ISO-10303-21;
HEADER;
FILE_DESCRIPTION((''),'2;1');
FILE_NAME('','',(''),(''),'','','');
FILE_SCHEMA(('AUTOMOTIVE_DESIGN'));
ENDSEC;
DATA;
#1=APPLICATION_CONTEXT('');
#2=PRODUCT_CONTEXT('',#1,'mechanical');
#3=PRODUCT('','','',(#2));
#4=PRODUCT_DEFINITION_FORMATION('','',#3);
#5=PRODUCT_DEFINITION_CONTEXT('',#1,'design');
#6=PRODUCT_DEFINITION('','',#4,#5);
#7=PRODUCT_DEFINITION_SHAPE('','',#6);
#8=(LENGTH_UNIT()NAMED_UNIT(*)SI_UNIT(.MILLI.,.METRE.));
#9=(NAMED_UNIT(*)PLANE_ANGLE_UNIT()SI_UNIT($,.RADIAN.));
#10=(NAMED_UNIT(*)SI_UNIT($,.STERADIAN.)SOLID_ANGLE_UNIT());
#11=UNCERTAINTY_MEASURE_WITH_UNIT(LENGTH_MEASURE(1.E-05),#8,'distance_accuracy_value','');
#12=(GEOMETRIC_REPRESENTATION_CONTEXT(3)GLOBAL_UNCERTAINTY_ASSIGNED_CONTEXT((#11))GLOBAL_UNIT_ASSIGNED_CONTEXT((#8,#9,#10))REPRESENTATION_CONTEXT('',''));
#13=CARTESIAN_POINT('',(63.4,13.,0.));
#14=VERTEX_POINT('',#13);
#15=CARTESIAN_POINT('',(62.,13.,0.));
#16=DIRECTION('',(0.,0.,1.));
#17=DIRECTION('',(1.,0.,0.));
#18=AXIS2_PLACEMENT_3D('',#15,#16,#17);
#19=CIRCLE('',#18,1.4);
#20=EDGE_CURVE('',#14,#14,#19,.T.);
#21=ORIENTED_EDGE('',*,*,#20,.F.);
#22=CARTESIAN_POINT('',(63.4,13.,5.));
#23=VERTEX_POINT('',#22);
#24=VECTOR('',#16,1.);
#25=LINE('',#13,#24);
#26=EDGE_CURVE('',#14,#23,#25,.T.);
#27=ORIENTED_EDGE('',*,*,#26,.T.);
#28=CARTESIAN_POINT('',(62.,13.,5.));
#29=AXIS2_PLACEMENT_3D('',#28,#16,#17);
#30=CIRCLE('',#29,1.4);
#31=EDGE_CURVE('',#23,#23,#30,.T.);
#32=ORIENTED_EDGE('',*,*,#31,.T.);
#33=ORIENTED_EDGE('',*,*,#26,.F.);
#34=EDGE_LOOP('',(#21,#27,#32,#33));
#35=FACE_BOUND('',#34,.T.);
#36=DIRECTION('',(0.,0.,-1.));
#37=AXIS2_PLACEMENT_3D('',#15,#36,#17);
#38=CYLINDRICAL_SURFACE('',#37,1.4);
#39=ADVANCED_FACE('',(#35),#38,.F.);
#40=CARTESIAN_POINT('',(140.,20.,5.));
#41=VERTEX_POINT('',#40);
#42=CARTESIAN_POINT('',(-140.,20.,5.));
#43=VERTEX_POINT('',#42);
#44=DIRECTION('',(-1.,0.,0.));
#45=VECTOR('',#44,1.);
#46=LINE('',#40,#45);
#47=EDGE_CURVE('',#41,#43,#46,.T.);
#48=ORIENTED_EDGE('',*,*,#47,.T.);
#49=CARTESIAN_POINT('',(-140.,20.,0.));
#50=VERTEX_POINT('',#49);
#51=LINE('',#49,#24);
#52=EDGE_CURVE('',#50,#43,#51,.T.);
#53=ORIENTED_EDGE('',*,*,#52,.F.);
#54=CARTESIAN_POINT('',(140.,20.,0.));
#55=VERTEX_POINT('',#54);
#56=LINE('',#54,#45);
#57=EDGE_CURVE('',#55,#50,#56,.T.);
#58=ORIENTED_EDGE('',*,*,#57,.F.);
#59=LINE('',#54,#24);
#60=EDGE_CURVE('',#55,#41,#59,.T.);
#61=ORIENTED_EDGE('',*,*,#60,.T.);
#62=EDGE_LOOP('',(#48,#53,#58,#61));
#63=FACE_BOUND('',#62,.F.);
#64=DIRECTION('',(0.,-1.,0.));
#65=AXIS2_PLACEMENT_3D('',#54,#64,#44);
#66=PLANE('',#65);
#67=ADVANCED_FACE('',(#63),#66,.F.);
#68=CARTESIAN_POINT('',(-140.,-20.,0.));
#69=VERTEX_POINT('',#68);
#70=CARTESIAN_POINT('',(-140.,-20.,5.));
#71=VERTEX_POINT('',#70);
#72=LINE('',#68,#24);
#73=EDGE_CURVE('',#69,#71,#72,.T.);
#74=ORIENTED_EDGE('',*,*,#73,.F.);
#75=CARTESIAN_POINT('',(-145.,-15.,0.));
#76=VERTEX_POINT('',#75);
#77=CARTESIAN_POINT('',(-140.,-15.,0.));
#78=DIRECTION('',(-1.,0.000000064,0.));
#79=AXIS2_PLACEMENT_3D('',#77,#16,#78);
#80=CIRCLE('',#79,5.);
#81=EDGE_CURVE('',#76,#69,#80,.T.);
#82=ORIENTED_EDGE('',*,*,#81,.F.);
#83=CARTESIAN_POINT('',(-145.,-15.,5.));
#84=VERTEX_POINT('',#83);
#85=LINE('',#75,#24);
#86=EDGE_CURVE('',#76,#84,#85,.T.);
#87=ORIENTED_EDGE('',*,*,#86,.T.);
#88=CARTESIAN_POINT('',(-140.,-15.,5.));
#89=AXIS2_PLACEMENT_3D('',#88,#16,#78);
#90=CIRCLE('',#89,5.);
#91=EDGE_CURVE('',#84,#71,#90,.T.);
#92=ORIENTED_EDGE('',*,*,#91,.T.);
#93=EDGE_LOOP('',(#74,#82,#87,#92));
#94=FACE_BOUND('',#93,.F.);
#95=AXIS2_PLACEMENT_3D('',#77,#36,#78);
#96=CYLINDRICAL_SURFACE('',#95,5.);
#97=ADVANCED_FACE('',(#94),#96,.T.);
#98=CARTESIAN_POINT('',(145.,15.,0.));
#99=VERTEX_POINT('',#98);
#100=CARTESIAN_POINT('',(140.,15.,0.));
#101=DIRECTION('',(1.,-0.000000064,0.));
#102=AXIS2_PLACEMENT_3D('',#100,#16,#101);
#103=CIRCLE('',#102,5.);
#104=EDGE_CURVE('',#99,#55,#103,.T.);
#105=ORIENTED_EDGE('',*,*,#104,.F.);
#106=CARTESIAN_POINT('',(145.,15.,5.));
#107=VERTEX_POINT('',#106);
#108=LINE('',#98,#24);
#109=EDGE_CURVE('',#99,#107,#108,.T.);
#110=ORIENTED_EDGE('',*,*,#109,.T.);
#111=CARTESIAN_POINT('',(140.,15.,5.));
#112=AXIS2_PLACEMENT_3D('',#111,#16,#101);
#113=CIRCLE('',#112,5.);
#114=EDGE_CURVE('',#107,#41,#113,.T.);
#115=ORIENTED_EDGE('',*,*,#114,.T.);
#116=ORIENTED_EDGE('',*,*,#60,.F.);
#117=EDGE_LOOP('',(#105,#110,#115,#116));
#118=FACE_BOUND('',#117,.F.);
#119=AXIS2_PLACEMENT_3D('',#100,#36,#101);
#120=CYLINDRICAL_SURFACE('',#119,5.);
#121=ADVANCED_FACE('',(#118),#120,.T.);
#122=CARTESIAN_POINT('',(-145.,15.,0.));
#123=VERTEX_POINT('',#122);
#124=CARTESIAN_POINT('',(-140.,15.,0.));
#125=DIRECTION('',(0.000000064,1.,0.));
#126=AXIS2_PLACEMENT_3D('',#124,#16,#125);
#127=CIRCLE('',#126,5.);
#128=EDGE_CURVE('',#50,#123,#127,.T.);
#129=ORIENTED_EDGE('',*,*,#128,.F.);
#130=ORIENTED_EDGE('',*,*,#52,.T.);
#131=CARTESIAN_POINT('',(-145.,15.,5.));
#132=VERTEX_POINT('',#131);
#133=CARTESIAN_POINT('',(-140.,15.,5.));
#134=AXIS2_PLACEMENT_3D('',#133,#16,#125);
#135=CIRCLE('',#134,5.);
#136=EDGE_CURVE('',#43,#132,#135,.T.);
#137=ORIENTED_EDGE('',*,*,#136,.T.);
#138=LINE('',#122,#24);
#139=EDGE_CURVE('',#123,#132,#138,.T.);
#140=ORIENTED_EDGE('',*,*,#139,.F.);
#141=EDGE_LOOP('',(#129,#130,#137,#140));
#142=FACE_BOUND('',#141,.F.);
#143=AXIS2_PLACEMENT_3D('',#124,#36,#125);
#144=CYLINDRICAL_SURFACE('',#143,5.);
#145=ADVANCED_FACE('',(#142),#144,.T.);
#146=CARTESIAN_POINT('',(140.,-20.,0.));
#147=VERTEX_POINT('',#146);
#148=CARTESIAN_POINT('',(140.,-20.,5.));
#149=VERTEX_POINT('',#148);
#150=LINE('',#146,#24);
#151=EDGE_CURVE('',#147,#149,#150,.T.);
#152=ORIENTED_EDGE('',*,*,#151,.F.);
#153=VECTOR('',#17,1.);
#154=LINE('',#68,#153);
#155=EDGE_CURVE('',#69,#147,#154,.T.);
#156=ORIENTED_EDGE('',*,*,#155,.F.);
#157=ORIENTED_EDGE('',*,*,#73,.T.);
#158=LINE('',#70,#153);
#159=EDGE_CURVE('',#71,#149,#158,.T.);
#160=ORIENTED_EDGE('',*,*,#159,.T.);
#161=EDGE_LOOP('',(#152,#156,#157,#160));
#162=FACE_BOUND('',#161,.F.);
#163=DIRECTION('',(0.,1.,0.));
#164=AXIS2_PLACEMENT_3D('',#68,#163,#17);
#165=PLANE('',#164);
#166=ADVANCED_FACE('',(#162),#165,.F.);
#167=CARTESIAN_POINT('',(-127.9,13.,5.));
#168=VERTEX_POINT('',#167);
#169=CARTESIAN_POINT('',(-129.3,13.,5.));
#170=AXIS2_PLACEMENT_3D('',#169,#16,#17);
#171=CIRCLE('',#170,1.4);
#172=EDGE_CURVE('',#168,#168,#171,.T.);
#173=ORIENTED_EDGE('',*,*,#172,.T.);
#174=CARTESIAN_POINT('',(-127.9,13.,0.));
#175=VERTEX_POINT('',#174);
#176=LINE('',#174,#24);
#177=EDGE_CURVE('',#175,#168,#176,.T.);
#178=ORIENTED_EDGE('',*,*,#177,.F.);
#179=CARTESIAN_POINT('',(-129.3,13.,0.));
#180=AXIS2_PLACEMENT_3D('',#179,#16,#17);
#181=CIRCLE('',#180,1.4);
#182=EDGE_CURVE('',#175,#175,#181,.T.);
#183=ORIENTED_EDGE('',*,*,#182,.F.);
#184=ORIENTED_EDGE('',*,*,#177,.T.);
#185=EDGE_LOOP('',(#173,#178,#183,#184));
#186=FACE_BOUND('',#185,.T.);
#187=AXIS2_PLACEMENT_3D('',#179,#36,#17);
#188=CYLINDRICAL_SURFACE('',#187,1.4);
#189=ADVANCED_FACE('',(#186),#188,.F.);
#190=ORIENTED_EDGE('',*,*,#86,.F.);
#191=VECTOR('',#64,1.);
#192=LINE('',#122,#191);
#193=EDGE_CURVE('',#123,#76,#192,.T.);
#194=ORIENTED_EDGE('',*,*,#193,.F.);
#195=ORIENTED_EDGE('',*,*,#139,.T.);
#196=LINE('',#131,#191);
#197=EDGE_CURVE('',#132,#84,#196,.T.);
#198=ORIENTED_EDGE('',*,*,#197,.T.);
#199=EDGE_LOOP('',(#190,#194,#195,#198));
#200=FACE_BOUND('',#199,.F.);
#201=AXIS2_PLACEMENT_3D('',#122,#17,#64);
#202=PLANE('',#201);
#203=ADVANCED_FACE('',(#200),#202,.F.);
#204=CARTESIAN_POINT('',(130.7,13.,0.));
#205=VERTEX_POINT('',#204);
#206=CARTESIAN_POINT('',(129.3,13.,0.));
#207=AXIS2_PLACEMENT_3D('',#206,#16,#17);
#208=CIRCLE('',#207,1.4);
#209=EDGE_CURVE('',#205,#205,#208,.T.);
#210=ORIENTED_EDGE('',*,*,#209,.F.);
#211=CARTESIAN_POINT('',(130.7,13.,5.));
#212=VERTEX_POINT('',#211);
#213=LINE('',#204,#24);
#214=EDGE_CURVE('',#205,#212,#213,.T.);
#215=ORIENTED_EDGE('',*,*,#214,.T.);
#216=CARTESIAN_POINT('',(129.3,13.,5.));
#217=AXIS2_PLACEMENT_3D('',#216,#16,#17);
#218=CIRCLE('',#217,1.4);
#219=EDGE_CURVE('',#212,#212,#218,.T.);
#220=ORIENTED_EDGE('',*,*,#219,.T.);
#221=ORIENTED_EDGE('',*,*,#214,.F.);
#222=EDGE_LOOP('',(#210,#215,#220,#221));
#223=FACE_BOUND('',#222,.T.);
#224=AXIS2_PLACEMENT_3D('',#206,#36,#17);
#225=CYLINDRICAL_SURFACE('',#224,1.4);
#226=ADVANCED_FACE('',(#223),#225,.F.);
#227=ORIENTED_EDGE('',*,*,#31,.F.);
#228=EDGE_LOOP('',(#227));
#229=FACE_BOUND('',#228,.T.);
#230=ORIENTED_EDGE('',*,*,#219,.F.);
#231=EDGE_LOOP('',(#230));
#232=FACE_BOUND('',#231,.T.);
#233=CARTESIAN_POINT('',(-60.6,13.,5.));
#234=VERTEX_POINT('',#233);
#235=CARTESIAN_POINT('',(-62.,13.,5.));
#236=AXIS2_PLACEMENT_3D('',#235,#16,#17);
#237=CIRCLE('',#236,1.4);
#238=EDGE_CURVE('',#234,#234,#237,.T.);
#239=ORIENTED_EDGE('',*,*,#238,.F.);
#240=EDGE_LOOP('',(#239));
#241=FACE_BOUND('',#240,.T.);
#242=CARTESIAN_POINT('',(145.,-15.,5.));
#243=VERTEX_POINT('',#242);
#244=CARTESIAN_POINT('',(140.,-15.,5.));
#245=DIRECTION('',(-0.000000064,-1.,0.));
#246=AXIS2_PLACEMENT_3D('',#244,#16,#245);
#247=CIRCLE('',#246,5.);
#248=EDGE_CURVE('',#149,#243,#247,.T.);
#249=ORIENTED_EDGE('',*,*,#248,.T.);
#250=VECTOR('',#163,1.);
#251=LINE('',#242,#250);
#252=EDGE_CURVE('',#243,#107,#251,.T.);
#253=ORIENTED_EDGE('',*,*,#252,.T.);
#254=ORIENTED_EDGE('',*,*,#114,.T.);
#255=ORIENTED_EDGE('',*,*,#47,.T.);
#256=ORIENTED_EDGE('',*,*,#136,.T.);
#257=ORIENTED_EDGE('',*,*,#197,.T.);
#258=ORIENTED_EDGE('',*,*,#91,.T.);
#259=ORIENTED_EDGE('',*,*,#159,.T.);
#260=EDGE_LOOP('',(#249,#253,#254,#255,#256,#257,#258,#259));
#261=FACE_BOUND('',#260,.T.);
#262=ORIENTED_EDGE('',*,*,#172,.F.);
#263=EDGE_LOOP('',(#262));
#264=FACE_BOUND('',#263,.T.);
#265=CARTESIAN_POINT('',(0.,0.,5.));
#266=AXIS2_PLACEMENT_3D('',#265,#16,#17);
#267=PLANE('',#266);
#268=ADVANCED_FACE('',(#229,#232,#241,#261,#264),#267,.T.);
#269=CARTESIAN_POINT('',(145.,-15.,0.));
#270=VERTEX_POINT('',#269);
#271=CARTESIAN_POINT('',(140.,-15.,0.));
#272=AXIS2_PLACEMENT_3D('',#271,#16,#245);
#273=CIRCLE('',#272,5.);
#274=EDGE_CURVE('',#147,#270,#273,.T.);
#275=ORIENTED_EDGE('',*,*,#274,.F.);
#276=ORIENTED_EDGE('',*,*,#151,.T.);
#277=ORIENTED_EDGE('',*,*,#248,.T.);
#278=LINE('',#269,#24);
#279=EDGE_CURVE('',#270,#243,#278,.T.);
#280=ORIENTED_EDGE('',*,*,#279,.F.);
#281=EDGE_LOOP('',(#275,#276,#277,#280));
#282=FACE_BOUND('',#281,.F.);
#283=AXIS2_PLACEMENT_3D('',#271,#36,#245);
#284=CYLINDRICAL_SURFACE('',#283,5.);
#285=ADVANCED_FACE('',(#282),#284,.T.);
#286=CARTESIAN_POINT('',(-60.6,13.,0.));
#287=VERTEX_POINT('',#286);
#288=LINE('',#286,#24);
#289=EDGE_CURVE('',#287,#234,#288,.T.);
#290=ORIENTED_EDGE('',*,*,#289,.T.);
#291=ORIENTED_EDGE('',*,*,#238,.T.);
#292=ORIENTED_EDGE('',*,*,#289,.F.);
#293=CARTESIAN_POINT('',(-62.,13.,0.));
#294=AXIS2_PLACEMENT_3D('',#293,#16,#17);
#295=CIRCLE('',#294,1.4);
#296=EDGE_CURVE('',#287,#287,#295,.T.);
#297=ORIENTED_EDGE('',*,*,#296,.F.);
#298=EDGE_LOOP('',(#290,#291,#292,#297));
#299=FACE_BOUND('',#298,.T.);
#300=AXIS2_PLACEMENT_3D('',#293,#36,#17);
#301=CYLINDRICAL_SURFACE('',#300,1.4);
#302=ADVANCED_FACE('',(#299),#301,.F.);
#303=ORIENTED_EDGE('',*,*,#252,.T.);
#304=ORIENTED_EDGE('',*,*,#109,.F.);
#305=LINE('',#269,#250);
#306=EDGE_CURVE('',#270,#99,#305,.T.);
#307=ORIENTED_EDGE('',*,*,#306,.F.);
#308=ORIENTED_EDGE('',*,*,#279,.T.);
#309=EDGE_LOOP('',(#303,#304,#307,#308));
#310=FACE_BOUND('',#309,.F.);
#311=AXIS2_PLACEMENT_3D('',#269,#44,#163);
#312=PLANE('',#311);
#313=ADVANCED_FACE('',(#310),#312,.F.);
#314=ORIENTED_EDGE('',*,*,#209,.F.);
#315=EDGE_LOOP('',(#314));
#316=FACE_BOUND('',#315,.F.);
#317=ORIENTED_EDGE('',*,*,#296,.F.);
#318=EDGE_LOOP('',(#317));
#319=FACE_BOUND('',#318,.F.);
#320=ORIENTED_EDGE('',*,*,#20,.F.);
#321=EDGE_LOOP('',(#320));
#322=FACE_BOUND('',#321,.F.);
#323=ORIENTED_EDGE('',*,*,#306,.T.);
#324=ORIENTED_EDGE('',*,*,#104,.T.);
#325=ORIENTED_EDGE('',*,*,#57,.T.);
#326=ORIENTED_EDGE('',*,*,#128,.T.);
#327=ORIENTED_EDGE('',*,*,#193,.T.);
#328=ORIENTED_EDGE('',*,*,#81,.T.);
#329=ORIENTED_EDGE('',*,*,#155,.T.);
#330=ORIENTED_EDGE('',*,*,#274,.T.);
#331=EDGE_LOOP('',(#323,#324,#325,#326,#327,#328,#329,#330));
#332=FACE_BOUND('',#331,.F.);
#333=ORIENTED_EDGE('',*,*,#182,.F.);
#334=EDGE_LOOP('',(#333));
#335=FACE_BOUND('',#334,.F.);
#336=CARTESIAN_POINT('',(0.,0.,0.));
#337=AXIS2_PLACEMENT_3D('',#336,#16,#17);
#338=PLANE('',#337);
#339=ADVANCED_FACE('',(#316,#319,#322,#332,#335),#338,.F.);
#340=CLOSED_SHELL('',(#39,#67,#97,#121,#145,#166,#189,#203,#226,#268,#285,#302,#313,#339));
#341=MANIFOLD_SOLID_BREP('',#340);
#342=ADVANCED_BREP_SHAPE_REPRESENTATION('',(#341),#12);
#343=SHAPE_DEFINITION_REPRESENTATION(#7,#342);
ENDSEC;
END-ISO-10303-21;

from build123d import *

# Parameters (mm, degrees)
SKETCH_R  = 1.4
PAD_DEPTH = 5


with BuildPart() as part:
    # Sketch → Pad (new body)
    with BuildSketch(Plane.XY):
        with BuildLine():
            Line((-145, 15), (-145, -15))
            ThreePointArc((-145, -15), (-143.535534, -18.535534), (-140, -20))
            Line((-140, -20), (140, -20))
            ThreePointArc((140, -20), (143.535534, -18.535534), (145, -15))
            Line((145, -15), (145, 15))
            ThreePointArc((145, 15), (143.535534, 18.535534), (140, 20))
            Line((140, 20), (-140, 20))
            ThreePointArc((-140, 20), (-143.535534, 18.535534), (-145, 15))
        make_face()
        with Locations((-62, 13)):
            Circle(SKETCH_R, mode=Mode.SUBTRACT)
        with Locations((62, 13)):
            Circle(SKETCH_R, mode=Mode.SUBTRACT)
        with Locations((-129.3, 13)):
            Circle(SKETCH_R, mode=Mode.SUBTRACT)
        with Locations((129.3, 13)):
            Circle(SKETCH_R, mode=Mode.SUBTRACT)
    extrude(amount=PAD_DEPTH)


solid = part.part
